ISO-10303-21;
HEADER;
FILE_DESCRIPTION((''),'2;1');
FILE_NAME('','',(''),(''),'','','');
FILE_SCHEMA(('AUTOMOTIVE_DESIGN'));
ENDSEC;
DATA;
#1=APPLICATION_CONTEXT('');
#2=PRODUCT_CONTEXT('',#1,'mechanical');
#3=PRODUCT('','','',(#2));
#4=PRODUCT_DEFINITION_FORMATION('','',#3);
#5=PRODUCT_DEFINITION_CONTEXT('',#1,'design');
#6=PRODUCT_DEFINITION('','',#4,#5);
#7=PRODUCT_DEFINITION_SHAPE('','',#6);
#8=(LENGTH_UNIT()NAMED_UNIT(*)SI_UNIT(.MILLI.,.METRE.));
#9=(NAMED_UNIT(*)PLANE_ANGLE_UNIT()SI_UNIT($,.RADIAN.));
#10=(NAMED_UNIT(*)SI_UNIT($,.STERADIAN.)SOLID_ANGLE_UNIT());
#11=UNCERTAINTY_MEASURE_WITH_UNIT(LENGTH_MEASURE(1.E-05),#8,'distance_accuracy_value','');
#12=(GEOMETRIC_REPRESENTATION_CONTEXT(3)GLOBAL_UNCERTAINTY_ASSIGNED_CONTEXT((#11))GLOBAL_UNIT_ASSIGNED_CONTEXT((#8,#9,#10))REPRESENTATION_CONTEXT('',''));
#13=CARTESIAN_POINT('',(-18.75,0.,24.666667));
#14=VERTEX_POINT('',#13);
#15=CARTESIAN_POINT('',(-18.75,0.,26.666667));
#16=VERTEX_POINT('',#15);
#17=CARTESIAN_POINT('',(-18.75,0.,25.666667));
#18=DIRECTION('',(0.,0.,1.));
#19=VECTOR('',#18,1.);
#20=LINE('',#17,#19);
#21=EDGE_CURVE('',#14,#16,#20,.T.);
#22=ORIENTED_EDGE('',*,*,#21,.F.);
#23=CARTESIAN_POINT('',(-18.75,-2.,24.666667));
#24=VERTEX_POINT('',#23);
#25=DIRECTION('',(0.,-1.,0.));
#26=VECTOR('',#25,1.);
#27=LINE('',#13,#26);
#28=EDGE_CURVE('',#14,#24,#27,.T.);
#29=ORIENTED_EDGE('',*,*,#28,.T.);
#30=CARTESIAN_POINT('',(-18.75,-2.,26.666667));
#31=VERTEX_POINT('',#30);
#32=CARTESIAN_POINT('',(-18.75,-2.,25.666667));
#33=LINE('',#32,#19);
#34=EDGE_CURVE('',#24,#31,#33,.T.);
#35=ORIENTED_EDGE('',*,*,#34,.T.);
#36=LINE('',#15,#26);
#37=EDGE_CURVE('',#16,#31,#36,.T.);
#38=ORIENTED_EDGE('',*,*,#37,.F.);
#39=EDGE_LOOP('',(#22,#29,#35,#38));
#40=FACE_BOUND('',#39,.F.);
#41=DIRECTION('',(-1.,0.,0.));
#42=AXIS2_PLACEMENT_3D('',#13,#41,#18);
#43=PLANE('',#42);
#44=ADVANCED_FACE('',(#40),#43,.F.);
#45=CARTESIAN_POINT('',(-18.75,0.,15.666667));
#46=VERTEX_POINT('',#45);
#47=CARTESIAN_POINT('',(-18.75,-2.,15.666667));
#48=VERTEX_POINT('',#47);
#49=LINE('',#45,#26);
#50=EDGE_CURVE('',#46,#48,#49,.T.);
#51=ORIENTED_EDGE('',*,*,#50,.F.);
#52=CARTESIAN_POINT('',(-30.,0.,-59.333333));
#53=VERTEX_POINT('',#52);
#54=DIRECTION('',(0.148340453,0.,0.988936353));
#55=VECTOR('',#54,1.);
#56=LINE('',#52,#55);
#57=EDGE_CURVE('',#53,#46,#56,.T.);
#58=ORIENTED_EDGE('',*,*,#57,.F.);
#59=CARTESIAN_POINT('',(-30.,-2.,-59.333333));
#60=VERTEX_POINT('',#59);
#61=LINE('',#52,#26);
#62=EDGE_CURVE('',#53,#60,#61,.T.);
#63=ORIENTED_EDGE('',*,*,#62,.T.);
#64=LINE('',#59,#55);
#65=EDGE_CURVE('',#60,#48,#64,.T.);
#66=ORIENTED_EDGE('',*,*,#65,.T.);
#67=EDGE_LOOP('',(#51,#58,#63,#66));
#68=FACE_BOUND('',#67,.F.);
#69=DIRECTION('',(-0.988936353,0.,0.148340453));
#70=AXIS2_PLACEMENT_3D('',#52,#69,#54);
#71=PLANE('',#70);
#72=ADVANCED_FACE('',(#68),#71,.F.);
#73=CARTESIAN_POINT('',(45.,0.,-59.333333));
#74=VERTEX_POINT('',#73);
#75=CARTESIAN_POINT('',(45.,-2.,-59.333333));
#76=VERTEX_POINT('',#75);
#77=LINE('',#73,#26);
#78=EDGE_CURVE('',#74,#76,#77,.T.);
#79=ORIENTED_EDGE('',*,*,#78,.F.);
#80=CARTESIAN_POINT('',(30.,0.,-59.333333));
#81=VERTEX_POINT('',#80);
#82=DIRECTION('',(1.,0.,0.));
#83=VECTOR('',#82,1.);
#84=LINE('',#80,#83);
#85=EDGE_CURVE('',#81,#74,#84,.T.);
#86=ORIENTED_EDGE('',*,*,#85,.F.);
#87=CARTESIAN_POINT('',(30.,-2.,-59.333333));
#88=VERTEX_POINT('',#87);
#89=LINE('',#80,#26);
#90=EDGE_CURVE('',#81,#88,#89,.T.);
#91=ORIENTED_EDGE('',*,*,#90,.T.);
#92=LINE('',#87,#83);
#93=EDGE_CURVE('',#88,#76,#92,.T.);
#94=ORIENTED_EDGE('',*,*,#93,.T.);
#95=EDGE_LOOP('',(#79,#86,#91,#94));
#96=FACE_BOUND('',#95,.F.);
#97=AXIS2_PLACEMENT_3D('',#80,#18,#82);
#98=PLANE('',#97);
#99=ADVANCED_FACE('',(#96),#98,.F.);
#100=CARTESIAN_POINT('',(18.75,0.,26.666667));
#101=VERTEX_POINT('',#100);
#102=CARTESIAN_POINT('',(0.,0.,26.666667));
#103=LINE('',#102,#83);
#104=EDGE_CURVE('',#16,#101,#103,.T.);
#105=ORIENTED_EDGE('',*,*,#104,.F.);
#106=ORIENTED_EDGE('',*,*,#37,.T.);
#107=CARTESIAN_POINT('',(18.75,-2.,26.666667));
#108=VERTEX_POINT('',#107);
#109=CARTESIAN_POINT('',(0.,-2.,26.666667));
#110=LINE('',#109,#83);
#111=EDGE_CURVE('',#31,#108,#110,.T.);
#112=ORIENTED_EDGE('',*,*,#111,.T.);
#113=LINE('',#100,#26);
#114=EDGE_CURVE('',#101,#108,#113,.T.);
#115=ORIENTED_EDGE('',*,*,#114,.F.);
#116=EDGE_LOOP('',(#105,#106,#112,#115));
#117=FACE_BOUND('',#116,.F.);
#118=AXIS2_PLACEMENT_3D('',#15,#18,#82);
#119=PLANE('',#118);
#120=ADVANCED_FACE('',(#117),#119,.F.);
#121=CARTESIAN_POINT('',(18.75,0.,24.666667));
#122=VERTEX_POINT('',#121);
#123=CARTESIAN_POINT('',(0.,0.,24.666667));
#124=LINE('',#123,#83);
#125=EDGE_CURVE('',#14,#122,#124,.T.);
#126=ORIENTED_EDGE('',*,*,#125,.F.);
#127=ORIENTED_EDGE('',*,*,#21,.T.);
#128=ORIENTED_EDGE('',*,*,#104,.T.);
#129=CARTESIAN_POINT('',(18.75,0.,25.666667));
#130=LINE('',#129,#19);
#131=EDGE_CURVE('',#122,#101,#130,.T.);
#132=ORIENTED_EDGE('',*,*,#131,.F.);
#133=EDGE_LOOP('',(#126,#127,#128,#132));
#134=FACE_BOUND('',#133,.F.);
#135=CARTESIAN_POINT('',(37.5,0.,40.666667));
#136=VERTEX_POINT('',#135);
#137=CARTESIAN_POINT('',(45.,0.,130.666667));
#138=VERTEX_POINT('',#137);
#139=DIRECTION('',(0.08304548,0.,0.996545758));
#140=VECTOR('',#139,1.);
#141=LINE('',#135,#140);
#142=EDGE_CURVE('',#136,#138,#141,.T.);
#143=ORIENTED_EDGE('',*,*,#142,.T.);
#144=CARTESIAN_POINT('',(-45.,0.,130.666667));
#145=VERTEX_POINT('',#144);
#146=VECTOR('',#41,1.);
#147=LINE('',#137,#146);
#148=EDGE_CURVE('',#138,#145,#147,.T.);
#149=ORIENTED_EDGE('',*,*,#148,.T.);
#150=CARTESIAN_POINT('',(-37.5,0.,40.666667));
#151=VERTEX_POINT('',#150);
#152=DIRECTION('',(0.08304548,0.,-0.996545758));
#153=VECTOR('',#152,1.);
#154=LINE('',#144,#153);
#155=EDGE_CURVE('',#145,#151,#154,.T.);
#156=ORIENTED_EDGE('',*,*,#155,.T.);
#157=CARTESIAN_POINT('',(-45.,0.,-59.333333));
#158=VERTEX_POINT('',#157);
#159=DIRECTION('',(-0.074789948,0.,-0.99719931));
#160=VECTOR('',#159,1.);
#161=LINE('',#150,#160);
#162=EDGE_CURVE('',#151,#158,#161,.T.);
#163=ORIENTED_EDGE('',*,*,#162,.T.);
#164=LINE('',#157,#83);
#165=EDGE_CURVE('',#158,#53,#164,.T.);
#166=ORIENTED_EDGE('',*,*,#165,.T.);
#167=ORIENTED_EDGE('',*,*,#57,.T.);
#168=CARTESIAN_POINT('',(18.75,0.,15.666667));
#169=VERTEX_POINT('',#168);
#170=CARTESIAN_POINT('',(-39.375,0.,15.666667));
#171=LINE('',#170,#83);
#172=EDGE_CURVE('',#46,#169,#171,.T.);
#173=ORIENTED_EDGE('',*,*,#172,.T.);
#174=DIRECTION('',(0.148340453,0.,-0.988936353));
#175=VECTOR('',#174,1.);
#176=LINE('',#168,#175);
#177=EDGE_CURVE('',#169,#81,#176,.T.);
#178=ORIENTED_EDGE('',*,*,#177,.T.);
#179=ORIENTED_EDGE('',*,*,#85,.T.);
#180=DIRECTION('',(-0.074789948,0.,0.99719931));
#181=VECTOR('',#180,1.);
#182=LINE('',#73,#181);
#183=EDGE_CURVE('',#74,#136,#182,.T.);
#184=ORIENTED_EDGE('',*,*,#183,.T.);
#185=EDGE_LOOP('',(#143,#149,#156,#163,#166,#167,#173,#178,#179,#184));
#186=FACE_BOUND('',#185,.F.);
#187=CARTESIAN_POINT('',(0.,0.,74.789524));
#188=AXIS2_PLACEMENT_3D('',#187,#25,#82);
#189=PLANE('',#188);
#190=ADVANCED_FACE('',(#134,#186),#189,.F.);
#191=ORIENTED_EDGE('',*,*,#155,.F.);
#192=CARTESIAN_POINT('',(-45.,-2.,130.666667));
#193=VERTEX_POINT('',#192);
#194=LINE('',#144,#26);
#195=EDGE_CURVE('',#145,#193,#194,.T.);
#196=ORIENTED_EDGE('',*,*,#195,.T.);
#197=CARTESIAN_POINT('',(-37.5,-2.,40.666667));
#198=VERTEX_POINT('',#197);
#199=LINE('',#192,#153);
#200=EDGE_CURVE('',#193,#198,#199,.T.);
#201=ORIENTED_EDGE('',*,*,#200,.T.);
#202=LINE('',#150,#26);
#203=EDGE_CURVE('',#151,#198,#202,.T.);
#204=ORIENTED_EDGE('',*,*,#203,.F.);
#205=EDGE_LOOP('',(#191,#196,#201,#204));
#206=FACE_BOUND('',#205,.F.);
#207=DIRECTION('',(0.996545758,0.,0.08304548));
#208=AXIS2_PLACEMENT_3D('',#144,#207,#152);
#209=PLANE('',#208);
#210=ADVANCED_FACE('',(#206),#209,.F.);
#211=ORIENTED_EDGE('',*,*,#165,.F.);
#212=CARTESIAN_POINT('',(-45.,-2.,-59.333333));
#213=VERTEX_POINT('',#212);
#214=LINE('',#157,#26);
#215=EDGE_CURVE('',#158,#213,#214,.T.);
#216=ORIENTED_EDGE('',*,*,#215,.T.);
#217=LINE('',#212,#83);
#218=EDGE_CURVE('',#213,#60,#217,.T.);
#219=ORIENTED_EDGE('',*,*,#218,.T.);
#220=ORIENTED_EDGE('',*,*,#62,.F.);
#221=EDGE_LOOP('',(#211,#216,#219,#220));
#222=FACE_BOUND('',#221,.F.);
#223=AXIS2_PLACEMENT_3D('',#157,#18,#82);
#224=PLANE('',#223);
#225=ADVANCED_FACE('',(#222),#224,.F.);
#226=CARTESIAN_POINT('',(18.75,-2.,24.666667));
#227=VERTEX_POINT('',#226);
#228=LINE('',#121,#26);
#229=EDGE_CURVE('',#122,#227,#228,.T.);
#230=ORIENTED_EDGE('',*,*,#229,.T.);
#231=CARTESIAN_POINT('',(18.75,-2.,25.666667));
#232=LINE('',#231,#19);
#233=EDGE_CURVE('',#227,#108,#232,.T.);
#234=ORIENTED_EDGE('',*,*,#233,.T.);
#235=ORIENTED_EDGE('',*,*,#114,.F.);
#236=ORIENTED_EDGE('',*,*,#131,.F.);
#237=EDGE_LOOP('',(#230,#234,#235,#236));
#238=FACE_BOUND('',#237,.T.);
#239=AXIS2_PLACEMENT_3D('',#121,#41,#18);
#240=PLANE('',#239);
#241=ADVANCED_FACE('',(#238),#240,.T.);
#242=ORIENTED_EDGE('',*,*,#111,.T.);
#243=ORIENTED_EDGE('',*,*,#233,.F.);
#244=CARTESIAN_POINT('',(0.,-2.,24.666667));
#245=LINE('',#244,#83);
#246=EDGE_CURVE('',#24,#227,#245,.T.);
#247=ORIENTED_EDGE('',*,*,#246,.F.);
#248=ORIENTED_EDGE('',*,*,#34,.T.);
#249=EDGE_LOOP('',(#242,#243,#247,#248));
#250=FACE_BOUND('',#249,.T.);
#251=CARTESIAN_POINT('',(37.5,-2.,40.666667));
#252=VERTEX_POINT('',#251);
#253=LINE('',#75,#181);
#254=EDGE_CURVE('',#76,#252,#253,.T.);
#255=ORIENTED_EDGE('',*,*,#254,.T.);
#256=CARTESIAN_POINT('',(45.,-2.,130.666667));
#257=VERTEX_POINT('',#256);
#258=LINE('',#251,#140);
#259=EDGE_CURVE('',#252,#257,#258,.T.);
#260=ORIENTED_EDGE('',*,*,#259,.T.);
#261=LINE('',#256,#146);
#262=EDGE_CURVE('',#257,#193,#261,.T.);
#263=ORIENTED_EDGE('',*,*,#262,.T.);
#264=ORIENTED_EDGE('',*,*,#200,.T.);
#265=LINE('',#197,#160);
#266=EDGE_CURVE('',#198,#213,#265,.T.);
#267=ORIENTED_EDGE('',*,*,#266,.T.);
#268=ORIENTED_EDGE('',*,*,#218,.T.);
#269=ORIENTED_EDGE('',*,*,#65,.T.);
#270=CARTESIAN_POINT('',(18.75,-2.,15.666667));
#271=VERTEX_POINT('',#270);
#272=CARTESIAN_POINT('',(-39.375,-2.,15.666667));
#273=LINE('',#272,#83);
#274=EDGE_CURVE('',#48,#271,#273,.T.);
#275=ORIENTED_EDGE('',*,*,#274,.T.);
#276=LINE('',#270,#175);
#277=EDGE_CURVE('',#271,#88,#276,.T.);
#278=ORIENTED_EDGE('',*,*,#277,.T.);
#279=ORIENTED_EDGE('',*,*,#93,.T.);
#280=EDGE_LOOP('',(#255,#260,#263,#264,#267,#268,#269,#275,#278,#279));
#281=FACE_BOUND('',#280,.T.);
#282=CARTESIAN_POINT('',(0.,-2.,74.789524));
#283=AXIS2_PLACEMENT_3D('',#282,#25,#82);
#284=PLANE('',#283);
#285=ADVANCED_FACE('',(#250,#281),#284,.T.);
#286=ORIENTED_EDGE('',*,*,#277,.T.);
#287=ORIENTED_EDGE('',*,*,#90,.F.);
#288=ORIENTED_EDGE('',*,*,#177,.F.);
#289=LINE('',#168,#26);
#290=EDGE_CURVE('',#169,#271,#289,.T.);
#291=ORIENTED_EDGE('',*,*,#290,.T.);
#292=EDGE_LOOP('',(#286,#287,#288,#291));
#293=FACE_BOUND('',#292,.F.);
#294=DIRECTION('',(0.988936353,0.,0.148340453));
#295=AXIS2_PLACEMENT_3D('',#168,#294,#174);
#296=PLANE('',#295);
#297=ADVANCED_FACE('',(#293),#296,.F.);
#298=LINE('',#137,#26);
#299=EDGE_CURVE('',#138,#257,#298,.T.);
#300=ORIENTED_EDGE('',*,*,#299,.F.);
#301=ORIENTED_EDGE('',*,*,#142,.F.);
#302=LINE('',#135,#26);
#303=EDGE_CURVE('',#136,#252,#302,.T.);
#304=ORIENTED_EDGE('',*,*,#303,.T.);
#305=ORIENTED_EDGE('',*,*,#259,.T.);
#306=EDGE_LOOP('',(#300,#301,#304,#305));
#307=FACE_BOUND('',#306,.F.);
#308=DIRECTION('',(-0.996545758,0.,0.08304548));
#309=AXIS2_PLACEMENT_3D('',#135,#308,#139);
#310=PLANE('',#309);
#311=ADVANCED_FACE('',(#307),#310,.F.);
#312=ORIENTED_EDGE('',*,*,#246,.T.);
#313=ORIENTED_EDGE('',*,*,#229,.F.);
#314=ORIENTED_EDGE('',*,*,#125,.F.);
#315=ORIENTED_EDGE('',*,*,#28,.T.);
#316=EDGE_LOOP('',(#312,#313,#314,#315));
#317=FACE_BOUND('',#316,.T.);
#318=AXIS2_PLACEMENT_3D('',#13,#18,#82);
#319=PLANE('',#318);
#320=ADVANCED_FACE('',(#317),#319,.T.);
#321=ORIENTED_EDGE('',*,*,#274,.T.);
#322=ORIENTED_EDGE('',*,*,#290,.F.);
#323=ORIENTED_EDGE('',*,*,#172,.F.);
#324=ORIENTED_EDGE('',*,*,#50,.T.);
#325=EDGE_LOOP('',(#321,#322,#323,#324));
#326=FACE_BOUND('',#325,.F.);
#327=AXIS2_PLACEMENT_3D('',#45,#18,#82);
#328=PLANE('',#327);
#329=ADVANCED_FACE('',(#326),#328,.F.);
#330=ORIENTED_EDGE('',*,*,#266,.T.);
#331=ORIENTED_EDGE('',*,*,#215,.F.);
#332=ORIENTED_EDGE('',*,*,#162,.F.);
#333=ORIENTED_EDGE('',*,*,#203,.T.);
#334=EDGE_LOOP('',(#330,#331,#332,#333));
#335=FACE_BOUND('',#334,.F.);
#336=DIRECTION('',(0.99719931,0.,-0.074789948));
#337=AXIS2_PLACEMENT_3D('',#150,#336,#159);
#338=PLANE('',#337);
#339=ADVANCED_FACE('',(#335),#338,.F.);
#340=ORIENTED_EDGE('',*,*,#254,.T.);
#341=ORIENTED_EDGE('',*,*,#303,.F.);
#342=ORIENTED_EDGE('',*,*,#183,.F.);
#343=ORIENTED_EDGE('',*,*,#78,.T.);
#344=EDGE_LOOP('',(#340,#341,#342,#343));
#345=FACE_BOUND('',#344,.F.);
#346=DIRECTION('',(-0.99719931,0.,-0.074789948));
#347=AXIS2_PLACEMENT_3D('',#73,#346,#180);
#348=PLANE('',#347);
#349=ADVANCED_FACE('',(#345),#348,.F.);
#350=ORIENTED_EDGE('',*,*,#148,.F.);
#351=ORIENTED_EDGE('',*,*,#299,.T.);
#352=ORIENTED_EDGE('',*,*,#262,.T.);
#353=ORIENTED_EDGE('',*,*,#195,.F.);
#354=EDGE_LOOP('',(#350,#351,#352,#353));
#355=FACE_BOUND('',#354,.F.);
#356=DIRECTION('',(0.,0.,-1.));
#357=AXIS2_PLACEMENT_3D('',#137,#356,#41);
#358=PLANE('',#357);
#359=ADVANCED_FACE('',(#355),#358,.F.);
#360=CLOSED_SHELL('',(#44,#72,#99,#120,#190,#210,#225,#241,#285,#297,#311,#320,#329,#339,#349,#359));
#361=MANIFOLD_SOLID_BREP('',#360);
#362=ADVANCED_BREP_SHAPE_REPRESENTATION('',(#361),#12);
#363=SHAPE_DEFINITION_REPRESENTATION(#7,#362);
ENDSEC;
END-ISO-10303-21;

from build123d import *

# Parameters (mm, degrees)
F0_W     = 37.5
F0_H     = 2
F1_DEPTH = 2


with BuildPart() as f1:
    # F0 (on Front) → F1 (new body)
    with BuildSketch(Plane.XZ):
        Polygon((-45, 130.666667), (-37.5, 40.666667), (-39.375, 15.666667), (-18.75, 15.666667), (18.75, 15.666667), (39.375, 15.666667), (37.5, 40.666667), (45, 130.666667), align=None)
        with Locations((0, 25.666667)):
            Rectangle(F0_W, F0_H, mode=Mode.SUBTRACT)
        Polygon((-18.75, 15.666667), (-39.375, 15.666667), (-45, -59.333333), (-30, -59.333333), align=None)
        Polygon((39.375, 15.666667), (18.75, 15.666667), (30, -59.333333), (45, -59.333333), align=None)
    extrude(amount=F1_DEPTH)


solid = f1.part
